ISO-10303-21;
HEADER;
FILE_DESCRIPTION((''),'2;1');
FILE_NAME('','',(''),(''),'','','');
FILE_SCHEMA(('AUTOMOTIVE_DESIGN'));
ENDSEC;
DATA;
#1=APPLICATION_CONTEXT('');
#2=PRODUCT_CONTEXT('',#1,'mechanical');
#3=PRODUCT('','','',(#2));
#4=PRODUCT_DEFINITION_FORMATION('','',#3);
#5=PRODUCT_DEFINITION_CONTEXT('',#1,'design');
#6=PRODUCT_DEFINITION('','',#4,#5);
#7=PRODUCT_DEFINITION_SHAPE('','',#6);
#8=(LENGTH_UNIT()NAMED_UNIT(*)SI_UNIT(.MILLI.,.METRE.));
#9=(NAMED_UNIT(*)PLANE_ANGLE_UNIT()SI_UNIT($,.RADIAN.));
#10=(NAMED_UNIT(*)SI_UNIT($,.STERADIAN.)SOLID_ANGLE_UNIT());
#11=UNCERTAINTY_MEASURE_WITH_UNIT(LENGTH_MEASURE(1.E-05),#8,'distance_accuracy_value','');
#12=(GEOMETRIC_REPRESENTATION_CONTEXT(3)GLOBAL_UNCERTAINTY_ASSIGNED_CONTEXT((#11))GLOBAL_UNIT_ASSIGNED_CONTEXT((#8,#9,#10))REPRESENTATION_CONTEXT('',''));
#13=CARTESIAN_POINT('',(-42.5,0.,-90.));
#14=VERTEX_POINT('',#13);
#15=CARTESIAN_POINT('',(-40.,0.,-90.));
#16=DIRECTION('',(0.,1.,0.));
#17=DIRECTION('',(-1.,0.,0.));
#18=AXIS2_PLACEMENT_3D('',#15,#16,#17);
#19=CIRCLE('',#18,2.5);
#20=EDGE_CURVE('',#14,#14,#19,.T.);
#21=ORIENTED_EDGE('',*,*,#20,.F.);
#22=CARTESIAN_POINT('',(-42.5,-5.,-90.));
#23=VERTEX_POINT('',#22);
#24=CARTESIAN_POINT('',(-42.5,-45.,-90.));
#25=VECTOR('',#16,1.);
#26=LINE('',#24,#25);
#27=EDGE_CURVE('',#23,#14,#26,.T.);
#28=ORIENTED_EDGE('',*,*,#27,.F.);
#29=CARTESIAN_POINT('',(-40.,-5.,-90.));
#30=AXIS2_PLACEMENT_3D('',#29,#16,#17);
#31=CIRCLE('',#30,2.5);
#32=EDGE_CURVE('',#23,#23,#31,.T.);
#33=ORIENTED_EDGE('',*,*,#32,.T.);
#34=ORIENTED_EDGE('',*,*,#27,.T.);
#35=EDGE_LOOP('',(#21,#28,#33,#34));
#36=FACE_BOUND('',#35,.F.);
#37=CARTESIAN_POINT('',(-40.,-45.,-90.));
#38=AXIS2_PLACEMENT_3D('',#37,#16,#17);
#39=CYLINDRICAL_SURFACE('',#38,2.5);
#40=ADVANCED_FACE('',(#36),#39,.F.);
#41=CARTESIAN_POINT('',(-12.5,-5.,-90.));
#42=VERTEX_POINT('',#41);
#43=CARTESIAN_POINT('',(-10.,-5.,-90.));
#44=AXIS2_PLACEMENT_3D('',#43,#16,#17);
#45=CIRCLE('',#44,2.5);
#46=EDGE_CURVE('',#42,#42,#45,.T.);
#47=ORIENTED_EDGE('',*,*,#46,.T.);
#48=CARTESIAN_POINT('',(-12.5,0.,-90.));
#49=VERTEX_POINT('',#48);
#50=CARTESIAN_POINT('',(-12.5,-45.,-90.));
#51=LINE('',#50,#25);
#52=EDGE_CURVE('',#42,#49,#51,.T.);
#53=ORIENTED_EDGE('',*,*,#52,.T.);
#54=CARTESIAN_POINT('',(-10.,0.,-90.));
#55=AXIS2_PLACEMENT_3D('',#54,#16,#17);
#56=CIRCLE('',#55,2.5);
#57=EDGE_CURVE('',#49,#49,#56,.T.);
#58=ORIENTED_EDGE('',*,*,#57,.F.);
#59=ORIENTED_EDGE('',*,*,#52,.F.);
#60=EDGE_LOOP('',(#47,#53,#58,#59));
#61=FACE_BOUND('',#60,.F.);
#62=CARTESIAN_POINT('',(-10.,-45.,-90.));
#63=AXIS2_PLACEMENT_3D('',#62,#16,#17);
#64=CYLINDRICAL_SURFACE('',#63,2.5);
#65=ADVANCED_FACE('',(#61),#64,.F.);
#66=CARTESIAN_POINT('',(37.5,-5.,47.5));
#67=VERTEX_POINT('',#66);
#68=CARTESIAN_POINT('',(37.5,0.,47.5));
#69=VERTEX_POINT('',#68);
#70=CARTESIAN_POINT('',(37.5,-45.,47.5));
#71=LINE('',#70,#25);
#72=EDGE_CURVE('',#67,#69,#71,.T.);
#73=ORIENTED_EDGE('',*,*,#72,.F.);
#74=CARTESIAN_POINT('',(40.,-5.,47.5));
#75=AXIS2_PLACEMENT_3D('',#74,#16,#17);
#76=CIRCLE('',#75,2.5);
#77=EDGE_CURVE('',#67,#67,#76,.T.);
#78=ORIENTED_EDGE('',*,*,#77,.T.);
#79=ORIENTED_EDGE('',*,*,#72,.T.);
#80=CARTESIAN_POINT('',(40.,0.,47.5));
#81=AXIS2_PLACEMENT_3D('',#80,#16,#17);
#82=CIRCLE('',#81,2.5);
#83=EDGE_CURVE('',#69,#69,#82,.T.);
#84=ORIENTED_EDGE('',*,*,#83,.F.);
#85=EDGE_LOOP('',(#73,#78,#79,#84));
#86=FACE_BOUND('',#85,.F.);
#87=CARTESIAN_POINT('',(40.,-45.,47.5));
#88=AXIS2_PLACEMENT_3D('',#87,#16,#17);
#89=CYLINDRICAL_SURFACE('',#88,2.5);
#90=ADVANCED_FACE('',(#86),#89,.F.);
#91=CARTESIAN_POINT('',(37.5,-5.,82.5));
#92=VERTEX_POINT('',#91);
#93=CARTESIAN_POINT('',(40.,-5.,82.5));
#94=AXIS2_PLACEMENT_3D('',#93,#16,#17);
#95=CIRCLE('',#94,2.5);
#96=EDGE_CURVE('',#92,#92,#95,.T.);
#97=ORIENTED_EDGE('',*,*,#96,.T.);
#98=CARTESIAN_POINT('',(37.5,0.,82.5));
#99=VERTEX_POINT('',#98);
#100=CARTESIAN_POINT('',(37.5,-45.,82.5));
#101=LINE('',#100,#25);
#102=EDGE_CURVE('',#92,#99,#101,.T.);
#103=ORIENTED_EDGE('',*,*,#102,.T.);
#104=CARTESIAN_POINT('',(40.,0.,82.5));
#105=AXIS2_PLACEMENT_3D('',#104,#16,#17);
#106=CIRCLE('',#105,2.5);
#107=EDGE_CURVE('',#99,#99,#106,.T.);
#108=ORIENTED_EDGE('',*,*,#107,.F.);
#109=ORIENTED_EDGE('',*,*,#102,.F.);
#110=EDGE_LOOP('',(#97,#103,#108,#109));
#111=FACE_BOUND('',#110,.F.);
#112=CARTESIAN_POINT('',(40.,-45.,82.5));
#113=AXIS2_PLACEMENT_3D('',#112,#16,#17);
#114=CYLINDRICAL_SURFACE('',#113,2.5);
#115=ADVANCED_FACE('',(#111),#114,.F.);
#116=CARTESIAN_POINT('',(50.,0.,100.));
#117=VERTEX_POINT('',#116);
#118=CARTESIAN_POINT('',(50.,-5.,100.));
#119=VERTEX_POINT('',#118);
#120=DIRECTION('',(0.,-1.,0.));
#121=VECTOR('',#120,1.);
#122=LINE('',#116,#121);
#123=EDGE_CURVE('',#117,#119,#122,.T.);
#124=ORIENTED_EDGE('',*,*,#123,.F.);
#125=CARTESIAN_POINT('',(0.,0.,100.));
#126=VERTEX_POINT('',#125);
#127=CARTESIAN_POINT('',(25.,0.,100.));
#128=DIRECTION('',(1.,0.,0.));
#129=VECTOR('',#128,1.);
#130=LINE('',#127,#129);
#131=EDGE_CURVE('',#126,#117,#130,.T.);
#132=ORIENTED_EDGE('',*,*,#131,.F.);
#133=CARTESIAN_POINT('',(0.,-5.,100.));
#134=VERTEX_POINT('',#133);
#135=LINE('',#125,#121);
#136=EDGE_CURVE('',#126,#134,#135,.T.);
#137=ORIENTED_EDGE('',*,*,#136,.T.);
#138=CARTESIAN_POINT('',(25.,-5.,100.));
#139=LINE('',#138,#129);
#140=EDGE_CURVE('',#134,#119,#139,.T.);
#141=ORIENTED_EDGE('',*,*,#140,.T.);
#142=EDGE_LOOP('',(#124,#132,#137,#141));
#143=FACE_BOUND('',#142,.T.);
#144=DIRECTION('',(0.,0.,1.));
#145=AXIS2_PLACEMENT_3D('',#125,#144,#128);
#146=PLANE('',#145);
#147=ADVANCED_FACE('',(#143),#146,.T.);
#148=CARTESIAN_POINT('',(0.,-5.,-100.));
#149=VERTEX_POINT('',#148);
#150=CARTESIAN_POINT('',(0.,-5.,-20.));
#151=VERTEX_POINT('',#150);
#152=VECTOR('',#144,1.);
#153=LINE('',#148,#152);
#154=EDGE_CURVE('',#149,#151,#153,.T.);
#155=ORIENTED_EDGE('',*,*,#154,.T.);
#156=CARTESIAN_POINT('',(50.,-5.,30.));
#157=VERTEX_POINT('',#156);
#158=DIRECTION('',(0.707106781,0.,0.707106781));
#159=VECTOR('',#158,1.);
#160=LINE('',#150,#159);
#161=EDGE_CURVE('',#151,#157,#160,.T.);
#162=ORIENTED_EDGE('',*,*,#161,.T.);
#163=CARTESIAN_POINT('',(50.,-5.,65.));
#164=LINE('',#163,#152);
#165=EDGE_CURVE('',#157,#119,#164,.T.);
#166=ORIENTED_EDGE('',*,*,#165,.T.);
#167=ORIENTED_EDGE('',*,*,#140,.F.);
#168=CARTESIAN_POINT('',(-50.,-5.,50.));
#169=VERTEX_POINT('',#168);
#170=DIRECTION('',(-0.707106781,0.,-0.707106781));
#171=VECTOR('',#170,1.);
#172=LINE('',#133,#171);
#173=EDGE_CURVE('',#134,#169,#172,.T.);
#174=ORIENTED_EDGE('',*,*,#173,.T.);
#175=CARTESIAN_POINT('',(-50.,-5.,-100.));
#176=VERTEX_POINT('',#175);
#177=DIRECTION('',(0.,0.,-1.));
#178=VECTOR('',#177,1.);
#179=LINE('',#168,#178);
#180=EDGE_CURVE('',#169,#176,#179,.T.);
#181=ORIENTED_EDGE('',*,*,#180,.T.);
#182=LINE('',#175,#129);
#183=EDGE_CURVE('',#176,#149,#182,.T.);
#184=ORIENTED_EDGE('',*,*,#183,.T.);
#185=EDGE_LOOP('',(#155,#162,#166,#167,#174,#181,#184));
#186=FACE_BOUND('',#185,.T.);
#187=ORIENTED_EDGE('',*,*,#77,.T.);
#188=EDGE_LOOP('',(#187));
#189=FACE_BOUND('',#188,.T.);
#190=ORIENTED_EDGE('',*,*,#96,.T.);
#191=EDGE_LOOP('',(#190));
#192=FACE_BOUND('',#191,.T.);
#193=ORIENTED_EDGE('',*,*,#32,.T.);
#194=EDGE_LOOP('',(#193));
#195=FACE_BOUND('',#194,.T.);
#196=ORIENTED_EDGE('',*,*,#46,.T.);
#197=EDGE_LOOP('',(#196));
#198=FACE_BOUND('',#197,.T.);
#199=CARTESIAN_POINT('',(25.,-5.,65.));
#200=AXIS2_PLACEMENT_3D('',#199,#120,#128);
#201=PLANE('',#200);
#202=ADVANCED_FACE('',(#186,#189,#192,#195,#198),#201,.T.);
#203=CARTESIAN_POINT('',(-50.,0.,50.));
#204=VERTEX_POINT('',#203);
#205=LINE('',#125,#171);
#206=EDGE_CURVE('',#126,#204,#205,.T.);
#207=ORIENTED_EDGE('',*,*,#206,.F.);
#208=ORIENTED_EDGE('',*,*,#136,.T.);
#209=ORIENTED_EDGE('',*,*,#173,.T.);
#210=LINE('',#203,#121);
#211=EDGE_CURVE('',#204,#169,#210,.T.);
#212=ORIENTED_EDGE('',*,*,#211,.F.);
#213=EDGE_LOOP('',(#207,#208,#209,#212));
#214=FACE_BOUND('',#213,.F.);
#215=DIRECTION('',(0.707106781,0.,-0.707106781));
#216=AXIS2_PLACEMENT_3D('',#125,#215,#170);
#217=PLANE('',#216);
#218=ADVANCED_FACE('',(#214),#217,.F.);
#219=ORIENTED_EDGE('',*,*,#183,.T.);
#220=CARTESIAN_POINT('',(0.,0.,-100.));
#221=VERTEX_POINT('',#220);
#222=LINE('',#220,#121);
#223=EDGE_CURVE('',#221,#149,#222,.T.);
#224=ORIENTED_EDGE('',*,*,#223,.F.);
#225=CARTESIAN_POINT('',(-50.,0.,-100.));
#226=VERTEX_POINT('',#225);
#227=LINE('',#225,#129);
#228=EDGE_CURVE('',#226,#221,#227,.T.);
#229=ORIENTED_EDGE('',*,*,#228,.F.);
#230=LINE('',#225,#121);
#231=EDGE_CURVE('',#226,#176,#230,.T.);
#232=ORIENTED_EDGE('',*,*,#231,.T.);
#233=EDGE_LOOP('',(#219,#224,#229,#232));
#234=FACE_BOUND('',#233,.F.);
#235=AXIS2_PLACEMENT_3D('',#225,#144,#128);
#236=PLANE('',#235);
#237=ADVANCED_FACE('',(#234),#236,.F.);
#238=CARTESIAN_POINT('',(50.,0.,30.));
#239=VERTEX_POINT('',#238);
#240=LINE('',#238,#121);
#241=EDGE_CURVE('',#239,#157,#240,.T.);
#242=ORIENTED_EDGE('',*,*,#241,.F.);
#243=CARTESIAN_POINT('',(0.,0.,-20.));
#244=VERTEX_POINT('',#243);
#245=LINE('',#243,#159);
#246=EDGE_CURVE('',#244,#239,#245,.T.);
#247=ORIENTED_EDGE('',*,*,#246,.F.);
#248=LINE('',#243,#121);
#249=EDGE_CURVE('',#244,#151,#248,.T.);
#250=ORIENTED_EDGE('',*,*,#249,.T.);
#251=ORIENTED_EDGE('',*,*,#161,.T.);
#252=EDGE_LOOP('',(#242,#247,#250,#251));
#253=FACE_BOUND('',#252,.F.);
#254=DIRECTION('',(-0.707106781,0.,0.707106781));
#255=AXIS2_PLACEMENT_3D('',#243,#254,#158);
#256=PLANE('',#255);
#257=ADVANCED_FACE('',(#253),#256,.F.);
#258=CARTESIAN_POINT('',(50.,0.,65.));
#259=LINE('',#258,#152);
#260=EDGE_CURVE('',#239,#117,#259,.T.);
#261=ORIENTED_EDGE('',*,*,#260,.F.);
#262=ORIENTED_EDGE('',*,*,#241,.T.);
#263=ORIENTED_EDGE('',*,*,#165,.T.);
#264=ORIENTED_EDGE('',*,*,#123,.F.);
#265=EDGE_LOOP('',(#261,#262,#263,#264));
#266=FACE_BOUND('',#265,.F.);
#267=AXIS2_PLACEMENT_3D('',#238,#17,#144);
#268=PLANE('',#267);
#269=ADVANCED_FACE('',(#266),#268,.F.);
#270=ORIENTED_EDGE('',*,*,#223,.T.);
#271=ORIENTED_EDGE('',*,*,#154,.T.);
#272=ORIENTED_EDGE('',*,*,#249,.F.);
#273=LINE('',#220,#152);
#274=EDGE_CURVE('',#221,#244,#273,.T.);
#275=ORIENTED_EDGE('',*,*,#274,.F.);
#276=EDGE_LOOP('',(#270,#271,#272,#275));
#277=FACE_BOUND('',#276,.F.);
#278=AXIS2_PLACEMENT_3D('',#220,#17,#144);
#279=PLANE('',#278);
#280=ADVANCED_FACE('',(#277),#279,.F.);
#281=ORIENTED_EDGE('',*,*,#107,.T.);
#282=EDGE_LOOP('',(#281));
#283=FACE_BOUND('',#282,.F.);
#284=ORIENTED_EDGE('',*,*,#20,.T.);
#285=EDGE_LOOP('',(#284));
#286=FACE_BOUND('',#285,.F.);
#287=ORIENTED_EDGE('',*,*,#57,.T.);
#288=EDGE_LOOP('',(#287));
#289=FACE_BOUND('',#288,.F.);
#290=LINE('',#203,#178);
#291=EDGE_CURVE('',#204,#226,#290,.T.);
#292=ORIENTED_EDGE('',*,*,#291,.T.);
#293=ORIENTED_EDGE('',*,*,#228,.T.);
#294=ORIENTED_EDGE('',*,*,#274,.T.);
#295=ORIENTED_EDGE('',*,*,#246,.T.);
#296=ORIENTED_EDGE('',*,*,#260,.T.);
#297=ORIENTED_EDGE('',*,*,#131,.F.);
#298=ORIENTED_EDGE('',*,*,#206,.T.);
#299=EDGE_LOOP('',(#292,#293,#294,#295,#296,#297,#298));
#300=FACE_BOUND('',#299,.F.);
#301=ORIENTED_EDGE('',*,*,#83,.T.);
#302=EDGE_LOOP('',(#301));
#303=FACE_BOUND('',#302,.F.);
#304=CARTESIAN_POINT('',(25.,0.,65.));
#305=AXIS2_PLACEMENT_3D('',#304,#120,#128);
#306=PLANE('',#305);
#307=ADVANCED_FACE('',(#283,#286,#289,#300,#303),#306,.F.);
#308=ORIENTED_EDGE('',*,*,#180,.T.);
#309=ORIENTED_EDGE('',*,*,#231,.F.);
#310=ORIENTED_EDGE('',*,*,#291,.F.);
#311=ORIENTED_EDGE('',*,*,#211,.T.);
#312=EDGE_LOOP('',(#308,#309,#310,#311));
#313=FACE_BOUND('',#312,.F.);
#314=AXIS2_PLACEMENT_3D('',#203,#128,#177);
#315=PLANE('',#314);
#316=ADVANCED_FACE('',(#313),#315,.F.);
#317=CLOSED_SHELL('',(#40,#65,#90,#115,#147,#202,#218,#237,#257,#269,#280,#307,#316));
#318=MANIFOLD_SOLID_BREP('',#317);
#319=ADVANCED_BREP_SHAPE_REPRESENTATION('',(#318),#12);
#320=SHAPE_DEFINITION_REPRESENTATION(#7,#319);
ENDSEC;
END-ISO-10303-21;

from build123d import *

# Parameters (mm, degrees)
F0_W     = 50
F0_H     = 70
F1_DEPTH = 5
F3_D     = 5
F3_DEPTH = 40


with BuildPart() as f1:
    # F0 (on Front) → F1 (new body)
    with BuildSketch(Plane.XZ):
        with Locations((25, 65)):
            Rectangle(F0_W, F0_H)
        Polygon((0, -20), (0, 30), (-50, 30), (-50, -100), (0, -100), align=None)
        Polygon((0, 30), (0, 100), (-50, 50), (-50, 30), align=None)
        Polygon((0, -20), (50, 30), (0, 30), align=None)
    extrude(amount=F1_DEPTH)

    # F3
    with Locations(Plane.XZ.offset(5)):
        with Locations((40, 82.5), (40, 47.5), (-10, -90), (-40, -90)):
            Hole(F3_D / 2, depth=F3_DEPTH)


solid = f1.part
